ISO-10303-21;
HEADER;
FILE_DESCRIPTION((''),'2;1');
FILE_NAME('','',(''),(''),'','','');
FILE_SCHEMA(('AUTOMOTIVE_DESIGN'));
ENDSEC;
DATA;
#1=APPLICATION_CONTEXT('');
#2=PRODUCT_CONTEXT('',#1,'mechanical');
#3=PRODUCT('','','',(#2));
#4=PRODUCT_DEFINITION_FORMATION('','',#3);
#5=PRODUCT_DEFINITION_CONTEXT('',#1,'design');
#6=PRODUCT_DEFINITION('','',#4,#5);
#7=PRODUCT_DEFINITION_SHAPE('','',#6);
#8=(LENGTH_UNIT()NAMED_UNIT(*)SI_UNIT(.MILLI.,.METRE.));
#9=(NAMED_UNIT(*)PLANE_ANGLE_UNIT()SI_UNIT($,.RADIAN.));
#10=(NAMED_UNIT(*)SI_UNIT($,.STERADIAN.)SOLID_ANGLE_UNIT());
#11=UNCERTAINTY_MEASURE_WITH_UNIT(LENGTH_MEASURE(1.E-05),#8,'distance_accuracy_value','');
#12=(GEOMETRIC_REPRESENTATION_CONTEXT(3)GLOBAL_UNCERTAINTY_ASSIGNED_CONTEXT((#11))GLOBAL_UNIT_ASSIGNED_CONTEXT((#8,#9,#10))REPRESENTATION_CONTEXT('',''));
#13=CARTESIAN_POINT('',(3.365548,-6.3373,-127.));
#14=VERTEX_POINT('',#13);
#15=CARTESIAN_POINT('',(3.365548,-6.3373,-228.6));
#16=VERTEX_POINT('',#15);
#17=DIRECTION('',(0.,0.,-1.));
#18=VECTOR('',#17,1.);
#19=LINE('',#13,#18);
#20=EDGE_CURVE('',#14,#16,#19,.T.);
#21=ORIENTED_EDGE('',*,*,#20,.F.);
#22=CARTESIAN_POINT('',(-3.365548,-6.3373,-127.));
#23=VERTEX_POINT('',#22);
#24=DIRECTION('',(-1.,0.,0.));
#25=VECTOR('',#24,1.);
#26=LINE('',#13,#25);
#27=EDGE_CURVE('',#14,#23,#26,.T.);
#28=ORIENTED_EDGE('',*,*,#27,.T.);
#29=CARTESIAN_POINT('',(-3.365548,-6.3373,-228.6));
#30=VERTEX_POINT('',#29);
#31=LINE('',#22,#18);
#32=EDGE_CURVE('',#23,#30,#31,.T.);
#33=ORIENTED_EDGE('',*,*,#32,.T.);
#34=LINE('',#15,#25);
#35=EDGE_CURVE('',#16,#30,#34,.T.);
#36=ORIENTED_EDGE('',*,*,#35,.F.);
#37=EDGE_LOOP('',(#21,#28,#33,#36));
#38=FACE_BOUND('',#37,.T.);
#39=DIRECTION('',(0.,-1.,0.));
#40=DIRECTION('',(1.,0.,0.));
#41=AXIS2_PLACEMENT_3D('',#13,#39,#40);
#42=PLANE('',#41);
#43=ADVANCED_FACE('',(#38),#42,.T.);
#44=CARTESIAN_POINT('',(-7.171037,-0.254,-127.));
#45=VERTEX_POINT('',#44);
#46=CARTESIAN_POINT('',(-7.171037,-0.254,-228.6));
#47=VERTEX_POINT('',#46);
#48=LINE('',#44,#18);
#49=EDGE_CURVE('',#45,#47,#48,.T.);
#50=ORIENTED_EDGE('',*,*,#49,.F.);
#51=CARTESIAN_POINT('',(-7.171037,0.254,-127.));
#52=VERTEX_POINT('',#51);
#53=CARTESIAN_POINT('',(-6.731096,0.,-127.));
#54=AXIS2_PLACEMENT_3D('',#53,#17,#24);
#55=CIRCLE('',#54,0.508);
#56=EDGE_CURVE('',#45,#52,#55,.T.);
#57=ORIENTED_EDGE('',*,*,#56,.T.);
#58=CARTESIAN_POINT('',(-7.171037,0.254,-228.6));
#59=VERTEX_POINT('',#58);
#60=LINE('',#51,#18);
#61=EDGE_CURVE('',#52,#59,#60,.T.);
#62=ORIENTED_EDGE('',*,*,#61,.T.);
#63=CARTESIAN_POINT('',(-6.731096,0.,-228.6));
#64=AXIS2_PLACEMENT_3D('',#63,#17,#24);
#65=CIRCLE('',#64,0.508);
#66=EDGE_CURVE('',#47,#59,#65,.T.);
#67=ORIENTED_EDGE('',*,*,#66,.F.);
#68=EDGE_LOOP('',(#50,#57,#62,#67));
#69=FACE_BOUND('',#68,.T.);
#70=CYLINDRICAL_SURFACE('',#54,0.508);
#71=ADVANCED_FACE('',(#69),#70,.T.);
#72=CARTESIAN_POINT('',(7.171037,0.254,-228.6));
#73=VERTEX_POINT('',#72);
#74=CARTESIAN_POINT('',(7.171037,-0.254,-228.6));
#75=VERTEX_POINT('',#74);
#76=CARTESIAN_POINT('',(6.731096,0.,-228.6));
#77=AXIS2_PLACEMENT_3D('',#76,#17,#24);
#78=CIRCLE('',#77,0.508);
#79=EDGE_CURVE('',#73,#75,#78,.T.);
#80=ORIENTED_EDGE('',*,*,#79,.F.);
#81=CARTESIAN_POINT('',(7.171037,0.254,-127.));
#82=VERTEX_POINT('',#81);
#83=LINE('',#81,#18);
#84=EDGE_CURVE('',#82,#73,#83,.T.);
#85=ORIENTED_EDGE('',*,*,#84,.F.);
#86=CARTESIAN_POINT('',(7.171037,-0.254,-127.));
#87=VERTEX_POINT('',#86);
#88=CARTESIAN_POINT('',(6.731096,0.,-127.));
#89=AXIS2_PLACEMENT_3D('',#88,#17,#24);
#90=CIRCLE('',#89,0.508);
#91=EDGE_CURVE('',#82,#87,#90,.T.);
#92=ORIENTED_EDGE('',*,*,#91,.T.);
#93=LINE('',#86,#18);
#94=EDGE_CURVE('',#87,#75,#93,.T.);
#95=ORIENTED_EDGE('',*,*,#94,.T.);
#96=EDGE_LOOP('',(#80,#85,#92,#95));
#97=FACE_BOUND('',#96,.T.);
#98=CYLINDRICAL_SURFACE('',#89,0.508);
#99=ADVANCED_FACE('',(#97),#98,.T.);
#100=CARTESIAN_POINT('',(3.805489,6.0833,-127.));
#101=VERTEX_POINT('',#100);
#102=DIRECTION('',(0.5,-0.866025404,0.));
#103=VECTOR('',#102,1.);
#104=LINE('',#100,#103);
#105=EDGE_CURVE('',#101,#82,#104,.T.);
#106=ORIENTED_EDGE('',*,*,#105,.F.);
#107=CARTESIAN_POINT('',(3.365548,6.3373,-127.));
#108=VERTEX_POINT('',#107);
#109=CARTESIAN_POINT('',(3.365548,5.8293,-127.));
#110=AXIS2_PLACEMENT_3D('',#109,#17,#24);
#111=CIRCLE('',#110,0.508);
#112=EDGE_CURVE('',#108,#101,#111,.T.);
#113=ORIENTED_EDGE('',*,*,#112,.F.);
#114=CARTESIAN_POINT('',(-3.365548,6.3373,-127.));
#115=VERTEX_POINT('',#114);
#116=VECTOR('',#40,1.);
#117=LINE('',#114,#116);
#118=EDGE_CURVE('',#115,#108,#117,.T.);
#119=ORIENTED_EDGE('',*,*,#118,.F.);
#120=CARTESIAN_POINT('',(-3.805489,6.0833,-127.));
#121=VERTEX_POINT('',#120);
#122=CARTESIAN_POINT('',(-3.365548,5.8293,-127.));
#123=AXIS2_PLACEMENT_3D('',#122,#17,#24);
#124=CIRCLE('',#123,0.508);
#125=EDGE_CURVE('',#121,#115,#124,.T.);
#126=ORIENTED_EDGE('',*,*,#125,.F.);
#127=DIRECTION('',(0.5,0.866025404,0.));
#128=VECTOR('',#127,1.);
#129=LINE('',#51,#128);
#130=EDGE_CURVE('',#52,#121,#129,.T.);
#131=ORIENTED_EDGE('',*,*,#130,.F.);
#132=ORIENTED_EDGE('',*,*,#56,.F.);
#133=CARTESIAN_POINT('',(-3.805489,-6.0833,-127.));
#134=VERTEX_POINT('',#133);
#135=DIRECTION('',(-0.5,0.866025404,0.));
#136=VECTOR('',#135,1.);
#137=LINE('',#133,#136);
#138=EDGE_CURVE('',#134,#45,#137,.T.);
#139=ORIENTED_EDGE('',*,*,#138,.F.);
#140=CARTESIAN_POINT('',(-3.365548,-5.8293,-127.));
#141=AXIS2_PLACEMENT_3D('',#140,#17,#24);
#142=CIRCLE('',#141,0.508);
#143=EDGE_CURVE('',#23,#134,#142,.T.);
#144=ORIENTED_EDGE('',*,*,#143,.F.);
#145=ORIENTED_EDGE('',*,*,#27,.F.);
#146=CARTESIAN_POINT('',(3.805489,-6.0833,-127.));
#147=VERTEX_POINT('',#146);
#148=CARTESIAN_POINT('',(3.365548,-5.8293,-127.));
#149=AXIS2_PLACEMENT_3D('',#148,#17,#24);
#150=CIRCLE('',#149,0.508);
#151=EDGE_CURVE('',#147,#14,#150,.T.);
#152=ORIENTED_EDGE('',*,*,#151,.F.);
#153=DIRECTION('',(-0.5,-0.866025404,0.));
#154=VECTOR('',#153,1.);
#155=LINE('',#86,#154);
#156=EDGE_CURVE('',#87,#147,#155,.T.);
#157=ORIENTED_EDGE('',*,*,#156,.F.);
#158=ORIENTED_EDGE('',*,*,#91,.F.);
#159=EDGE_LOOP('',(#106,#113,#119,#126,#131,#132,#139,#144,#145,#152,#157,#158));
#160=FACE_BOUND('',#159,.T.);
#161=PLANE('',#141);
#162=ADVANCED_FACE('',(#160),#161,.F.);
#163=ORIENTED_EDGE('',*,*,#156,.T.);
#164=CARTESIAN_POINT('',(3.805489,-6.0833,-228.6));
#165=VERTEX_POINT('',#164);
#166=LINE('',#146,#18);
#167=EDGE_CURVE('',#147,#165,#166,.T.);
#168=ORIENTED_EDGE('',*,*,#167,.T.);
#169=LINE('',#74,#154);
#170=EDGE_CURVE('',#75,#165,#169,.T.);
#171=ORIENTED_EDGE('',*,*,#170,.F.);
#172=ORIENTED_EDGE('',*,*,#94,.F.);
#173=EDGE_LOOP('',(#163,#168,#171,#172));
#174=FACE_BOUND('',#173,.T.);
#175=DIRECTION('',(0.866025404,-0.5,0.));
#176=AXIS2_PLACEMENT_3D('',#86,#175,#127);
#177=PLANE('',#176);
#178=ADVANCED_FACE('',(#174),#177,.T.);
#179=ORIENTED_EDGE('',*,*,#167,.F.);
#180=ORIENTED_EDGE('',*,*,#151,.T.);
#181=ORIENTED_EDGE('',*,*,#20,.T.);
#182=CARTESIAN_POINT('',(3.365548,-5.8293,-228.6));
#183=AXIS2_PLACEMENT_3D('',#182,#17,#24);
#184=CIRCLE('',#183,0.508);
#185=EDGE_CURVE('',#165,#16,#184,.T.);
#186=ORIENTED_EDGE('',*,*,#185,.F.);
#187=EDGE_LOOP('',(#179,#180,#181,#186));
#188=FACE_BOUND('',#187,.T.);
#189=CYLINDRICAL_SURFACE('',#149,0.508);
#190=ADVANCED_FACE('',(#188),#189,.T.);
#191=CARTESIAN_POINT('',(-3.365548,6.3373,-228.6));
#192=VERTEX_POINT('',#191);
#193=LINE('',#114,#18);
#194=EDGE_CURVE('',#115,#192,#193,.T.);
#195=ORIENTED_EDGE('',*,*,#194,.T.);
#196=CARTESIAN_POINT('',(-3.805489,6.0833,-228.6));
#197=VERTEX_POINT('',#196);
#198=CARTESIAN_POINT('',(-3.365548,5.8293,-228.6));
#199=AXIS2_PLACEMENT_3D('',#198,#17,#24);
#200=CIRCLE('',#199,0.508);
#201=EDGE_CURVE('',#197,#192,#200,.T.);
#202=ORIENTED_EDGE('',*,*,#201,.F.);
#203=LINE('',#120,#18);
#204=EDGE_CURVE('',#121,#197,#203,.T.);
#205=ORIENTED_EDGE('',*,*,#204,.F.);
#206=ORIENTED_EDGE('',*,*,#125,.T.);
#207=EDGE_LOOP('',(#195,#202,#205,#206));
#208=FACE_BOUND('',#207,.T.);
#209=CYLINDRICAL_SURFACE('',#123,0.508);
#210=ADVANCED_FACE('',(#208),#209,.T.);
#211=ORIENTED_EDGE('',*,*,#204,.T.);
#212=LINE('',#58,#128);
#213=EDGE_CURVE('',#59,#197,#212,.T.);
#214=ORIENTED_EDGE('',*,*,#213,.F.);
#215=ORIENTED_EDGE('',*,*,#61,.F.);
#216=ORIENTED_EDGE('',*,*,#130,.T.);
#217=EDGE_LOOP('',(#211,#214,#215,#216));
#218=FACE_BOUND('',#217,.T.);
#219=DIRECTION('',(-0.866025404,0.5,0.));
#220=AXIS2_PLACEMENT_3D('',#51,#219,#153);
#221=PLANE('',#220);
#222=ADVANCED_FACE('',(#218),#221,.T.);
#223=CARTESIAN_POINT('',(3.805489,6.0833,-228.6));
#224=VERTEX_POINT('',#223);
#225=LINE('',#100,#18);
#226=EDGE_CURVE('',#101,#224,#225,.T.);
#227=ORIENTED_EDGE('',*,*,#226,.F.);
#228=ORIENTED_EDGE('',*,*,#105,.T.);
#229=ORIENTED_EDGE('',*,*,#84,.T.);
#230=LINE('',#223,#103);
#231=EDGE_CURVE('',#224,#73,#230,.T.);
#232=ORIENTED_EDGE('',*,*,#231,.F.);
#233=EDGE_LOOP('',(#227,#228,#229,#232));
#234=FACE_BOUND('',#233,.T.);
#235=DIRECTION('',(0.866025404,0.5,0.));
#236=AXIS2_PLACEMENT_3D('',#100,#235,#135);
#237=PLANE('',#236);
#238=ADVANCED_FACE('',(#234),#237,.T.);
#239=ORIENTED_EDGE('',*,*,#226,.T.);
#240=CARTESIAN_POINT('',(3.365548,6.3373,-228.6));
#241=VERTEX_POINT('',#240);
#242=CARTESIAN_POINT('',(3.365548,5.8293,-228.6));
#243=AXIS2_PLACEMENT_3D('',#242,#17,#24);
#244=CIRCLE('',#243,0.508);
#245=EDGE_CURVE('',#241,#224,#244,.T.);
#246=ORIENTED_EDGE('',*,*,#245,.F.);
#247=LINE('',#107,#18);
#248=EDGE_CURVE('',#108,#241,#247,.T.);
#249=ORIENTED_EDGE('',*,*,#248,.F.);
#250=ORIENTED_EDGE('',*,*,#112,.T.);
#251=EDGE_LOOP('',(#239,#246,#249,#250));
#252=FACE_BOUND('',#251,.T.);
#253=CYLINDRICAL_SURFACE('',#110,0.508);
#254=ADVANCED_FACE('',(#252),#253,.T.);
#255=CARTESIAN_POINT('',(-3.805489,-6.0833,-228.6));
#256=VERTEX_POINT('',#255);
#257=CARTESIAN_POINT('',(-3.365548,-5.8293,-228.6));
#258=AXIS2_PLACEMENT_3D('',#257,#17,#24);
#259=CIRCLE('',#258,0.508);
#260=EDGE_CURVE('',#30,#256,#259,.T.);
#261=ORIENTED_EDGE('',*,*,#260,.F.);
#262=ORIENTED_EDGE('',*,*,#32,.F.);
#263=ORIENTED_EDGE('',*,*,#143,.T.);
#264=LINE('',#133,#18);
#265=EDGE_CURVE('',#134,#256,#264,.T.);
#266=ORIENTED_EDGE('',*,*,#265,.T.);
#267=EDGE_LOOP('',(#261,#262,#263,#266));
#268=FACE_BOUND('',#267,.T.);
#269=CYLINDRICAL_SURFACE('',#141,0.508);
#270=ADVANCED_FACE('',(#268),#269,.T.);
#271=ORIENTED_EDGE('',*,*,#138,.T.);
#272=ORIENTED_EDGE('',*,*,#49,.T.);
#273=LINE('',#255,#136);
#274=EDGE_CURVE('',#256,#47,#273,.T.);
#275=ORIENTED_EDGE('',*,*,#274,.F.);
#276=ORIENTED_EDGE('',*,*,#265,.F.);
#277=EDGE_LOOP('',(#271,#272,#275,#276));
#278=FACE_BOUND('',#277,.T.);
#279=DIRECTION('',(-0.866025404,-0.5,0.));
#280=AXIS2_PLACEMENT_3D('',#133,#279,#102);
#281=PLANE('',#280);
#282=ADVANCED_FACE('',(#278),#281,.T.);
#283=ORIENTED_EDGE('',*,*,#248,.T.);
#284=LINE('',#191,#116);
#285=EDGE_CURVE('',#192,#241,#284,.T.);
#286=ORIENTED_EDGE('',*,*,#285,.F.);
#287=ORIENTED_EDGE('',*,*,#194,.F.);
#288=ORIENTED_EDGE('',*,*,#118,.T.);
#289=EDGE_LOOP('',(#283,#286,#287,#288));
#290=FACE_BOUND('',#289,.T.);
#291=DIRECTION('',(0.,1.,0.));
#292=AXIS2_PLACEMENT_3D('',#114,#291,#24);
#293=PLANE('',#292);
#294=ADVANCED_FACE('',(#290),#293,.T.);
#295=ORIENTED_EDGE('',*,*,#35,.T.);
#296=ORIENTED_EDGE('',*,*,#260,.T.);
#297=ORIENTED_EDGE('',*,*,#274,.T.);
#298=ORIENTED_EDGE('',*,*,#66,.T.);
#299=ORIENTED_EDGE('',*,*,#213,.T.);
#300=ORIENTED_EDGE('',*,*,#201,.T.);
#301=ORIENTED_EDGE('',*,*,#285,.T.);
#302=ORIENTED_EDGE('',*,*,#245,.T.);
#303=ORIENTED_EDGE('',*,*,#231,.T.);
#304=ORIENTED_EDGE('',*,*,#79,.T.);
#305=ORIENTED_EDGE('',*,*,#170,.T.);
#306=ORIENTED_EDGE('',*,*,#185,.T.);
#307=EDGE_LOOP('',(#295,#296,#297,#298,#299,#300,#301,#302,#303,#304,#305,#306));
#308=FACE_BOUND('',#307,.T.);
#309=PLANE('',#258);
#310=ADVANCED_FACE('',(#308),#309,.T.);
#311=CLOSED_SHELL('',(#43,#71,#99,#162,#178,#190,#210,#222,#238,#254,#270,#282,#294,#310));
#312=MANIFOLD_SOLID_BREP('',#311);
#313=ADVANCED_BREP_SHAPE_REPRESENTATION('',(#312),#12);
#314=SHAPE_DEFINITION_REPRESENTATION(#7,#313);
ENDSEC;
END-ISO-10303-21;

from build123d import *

# Parameters (mm, degrees)
BOSS_EXTRUDE1_DEPTH = 101.6


with BuildPart() as part:
    # Sketch1 → Boss-Extrude1 (new body)
    with BuildSketch(Plane(origin=(0, 0, -228.6), x_dir=(-1, 0, 0), z_dir=(0, 0, -1))):
        with BuildLine():
            Line((3.805488829, -6.0833), (7.171036753, -0.254))
            ThreePointArc((7.171036753, -0.254), (7.239095848, 0), (7.171036753, 0.254))
            Line((7.171036753, 0.254), (3.805488829, 6.0833))
            ThreePointArc((3.805488829, 6.0833), (3.619547924, 6.269240905), (3.365547924, 6.3373))
            Line((3.365547924, 6.3373), (-3.365547924, 6.3373))
            ThreePointArc((-3.365547924, 6.3373), (-3.619547924, 6.269240905), (-3.805488829, 6.0833))
            Line((-3.805488829, 6.0833), (-7.171036753, 0.254))
            ThreePointArc((-7.171036753, 0.254), (-7.239095848, 0), (-7.171036753, -0.254))
            Line((-7.171036753, -0.254), (-3.805488829, -6.0833))
            ThreePointArc((-3.805488829, -6.0833), (-3.619547924, -6.269240905), (-3.365547924, -6.3373))
            Line((-3.365547924, -6.3373), (3.365547924, -6.3373))
            ThreePointArc((3.365547924, -6.3373), (3.619547924, -6.269240905), (3.805488829, -6.0833))
        make_face()
    extrude(amount=-BOSS_EXTRUDE1_DEPTH)


solid = part.part
